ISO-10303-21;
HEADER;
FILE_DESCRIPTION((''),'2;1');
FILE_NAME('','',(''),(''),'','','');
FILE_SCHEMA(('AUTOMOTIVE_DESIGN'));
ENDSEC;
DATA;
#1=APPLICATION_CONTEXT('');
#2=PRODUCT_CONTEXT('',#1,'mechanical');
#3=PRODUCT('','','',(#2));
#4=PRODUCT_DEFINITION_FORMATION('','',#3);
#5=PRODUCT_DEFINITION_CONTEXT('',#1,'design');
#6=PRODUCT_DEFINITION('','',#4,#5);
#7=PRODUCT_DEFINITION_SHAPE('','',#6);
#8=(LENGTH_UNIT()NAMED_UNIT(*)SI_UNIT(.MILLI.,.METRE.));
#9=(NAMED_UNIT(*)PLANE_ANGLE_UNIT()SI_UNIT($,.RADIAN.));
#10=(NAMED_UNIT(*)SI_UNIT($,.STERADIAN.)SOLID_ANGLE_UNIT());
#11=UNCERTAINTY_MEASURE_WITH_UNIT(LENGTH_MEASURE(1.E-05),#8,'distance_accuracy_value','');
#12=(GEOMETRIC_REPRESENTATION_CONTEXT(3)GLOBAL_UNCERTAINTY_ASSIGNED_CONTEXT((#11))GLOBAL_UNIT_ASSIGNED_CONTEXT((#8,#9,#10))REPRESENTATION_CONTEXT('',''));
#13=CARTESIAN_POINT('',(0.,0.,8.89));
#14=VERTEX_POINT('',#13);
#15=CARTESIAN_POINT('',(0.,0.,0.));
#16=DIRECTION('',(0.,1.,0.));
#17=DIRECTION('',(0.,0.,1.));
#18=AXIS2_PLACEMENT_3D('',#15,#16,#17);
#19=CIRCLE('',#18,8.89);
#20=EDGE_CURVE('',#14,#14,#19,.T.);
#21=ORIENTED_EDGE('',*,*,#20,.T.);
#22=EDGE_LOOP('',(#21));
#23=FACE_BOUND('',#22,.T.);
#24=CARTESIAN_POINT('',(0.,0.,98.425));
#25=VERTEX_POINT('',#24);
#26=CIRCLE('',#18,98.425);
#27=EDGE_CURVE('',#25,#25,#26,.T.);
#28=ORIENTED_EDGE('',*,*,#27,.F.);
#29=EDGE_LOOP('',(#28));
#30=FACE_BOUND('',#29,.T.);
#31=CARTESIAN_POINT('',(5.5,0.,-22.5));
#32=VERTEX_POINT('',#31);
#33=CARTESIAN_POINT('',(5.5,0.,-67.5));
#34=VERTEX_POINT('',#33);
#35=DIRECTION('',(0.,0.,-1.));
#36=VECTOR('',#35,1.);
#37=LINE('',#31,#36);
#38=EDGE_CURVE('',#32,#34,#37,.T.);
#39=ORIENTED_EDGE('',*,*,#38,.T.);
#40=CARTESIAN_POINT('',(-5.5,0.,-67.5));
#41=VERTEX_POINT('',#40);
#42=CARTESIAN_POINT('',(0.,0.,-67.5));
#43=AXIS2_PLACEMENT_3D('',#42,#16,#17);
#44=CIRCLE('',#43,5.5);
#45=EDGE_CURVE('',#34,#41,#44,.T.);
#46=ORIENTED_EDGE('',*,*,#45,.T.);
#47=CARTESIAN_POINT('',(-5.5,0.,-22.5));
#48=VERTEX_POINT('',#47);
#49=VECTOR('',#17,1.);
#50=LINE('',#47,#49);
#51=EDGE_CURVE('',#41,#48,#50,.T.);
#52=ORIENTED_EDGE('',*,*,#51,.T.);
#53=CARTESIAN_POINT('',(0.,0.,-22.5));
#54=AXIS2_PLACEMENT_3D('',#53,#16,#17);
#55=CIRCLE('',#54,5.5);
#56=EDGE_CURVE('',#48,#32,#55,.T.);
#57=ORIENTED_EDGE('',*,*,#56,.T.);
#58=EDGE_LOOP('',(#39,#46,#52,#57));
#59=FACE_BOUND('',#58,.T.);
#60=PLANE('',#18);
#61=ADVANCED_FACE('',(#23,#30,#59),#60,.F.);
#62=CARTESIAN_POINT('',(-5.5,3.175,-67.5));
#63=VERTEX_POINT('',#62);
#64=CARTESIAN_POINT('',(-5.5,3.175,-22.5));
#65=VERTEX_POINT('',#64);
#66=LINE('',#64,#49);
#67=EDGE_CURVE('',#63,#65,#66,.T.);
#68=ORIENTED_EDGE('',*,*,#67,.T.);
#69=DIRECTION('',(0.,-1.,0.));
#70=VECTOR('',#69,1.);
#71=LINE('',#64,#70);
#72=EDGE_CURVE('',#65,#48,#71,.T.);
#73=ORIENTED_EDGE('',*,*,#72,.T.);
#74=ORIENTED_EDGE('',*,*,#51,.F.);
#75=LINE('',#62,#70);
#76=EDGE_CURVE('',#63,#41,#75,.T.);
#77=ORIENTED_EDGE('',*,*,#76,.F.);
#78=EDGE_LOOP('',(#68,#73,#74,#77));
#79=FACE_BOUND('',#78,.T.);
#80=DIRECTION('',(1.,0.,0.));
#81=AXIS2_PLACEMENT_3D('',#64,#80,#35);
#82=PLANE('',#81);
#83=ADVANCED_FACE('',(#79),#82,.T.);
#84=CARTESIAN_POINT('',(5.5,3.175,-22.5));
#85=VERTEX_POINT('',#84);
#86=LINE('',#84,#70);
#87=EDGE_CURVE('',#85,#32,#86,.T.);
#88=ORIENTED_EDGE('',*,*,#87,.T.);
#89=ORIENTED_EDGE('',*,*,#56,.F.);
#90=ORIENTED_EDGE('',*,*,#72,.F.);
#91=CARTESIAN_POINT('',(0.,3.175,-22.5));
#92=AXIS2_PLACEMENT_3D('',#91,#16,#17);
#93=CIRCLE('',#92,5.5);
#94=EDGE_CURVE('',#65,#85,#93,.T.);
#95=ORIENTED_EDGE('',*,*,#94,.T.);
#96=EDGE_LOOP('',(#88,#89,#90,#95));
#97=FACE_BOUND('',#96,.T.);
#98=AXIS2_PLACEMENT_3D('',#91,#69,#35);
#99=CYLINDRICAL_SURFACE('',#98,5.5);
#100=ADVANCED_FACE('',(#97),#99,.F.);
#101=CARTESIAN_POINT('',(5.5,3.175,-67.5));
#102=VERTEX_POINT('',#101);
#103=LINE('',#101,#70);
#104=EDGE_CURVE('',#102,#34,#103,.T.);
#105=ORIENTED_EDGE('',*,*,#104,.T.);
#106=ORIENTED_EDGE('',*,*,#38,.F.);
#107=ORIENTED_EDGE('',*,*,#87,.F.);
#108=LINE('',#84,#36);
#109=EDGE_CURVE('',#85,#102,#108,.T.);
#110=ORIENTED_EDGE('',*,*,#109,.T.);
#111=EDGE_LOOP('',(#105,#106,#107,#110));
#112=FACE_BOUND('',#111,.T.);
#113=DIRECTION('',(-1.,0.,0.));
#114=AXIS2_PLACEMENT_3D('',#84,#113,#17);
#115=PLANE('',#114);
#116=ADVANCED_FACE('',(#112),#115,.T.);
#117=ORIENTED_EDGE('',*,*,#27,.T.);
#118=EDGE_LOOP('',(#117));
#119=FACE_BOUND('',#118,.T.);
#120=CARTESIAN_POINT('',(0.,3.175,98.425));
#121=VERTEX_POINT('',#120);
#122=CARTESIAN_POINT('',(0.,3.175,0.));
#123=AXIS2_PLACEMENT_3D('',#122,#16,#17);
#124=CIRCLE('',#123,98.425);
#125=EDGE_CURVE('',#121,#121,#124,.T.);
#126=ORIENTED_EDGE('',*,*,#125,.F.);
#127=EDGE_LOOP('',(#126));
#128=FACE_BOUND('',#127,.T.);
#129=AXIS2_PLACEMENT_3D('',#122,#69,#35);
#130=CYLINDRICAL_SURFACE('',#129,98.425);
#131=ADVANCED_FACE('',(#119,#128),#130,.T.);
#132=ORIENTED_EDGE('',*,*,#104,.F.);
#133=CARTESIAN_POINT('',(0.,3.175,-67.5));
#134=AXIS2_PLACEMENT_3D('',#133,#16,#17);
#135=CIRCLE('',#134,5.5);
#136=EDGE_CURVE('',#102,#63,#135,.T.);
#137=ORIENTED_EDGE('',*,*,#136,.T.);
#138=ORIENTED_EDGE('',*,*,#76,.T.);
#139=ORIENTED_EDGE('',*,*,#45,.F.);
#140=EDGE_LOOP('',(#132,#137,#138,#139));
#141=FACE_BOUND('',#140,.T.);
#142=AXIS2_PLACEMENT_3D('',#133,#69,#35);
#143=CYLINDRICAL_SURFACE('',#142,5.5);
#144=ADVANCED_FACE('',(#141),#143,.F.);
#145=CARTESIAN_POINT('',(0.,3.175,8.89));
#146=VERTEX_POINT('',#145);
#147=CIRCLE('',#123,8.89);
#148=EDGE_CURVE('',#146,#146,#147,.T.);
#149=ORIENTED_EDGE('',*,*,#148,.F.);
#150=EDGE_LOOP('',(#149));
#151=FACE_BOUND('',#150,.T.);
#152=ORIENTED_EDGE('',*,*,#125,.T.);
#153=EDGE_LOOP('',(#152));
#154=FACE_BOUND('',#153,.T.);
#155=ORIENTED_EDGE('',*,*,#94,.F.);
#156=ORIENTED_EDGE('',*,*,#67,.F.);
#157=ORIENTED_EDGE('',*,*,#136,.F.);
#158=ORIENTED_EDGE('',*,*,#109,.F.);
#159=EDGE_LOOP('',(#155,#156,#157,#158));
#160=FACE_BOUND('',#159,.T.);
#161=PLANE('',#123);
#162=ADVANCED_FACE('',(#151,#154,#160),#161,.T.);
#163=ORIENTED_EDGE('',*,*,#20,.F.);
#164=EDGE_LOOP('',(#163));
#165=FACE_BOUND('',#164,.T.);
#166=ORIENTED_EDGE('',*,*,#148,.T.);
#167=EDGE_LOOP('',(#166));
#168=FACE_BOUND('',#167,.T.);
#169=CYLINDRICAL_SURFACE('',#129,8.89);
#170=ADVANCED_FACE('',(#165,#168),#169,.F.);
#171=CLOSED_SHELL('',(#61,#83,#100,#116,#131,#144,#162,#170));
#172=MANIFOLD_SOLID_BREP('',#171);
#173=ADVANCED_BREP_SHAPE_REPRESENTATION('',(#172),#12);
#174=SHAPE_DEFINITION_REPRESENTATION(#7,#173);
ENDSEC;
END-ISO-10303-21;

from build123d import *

# Parameters (mm, degrees)
SKETCH1_R           = 98.425
SKETCH1_R_2         = 8.89
BOSS_EXTRUDE1_DEPTH = 3.175


with BuildPart() as part:
    # Sketch1 → Boss-Extrude1 (new body)
    with BuildSketch(Plane(origin=(0, 0, 0), x_dir=(1, 0, 0), z_dir=(0, 1, 0))):
        Circle(SKETCH1_R)
        Circle(SKETCH1_R_2, mode=Mode.SUBTRACT)
        with BuildLine():
            Line((-5.5, 22.5), (-5.5, 67.5))
            ThreePointArc((-5.5, 67.5), (0, 73), (5.5, 67.5))
            Line((5.5, 67.5), (5.5, 22.5))
            ThreePointArc((5.5, 22.5), (0, 17), (-5.5, 22.5))
        make_face(mode=Mode.SUBTRACT)
    extrude(amount=BOSS_EXTRUDE1_DEPTH)


solid = part.part
